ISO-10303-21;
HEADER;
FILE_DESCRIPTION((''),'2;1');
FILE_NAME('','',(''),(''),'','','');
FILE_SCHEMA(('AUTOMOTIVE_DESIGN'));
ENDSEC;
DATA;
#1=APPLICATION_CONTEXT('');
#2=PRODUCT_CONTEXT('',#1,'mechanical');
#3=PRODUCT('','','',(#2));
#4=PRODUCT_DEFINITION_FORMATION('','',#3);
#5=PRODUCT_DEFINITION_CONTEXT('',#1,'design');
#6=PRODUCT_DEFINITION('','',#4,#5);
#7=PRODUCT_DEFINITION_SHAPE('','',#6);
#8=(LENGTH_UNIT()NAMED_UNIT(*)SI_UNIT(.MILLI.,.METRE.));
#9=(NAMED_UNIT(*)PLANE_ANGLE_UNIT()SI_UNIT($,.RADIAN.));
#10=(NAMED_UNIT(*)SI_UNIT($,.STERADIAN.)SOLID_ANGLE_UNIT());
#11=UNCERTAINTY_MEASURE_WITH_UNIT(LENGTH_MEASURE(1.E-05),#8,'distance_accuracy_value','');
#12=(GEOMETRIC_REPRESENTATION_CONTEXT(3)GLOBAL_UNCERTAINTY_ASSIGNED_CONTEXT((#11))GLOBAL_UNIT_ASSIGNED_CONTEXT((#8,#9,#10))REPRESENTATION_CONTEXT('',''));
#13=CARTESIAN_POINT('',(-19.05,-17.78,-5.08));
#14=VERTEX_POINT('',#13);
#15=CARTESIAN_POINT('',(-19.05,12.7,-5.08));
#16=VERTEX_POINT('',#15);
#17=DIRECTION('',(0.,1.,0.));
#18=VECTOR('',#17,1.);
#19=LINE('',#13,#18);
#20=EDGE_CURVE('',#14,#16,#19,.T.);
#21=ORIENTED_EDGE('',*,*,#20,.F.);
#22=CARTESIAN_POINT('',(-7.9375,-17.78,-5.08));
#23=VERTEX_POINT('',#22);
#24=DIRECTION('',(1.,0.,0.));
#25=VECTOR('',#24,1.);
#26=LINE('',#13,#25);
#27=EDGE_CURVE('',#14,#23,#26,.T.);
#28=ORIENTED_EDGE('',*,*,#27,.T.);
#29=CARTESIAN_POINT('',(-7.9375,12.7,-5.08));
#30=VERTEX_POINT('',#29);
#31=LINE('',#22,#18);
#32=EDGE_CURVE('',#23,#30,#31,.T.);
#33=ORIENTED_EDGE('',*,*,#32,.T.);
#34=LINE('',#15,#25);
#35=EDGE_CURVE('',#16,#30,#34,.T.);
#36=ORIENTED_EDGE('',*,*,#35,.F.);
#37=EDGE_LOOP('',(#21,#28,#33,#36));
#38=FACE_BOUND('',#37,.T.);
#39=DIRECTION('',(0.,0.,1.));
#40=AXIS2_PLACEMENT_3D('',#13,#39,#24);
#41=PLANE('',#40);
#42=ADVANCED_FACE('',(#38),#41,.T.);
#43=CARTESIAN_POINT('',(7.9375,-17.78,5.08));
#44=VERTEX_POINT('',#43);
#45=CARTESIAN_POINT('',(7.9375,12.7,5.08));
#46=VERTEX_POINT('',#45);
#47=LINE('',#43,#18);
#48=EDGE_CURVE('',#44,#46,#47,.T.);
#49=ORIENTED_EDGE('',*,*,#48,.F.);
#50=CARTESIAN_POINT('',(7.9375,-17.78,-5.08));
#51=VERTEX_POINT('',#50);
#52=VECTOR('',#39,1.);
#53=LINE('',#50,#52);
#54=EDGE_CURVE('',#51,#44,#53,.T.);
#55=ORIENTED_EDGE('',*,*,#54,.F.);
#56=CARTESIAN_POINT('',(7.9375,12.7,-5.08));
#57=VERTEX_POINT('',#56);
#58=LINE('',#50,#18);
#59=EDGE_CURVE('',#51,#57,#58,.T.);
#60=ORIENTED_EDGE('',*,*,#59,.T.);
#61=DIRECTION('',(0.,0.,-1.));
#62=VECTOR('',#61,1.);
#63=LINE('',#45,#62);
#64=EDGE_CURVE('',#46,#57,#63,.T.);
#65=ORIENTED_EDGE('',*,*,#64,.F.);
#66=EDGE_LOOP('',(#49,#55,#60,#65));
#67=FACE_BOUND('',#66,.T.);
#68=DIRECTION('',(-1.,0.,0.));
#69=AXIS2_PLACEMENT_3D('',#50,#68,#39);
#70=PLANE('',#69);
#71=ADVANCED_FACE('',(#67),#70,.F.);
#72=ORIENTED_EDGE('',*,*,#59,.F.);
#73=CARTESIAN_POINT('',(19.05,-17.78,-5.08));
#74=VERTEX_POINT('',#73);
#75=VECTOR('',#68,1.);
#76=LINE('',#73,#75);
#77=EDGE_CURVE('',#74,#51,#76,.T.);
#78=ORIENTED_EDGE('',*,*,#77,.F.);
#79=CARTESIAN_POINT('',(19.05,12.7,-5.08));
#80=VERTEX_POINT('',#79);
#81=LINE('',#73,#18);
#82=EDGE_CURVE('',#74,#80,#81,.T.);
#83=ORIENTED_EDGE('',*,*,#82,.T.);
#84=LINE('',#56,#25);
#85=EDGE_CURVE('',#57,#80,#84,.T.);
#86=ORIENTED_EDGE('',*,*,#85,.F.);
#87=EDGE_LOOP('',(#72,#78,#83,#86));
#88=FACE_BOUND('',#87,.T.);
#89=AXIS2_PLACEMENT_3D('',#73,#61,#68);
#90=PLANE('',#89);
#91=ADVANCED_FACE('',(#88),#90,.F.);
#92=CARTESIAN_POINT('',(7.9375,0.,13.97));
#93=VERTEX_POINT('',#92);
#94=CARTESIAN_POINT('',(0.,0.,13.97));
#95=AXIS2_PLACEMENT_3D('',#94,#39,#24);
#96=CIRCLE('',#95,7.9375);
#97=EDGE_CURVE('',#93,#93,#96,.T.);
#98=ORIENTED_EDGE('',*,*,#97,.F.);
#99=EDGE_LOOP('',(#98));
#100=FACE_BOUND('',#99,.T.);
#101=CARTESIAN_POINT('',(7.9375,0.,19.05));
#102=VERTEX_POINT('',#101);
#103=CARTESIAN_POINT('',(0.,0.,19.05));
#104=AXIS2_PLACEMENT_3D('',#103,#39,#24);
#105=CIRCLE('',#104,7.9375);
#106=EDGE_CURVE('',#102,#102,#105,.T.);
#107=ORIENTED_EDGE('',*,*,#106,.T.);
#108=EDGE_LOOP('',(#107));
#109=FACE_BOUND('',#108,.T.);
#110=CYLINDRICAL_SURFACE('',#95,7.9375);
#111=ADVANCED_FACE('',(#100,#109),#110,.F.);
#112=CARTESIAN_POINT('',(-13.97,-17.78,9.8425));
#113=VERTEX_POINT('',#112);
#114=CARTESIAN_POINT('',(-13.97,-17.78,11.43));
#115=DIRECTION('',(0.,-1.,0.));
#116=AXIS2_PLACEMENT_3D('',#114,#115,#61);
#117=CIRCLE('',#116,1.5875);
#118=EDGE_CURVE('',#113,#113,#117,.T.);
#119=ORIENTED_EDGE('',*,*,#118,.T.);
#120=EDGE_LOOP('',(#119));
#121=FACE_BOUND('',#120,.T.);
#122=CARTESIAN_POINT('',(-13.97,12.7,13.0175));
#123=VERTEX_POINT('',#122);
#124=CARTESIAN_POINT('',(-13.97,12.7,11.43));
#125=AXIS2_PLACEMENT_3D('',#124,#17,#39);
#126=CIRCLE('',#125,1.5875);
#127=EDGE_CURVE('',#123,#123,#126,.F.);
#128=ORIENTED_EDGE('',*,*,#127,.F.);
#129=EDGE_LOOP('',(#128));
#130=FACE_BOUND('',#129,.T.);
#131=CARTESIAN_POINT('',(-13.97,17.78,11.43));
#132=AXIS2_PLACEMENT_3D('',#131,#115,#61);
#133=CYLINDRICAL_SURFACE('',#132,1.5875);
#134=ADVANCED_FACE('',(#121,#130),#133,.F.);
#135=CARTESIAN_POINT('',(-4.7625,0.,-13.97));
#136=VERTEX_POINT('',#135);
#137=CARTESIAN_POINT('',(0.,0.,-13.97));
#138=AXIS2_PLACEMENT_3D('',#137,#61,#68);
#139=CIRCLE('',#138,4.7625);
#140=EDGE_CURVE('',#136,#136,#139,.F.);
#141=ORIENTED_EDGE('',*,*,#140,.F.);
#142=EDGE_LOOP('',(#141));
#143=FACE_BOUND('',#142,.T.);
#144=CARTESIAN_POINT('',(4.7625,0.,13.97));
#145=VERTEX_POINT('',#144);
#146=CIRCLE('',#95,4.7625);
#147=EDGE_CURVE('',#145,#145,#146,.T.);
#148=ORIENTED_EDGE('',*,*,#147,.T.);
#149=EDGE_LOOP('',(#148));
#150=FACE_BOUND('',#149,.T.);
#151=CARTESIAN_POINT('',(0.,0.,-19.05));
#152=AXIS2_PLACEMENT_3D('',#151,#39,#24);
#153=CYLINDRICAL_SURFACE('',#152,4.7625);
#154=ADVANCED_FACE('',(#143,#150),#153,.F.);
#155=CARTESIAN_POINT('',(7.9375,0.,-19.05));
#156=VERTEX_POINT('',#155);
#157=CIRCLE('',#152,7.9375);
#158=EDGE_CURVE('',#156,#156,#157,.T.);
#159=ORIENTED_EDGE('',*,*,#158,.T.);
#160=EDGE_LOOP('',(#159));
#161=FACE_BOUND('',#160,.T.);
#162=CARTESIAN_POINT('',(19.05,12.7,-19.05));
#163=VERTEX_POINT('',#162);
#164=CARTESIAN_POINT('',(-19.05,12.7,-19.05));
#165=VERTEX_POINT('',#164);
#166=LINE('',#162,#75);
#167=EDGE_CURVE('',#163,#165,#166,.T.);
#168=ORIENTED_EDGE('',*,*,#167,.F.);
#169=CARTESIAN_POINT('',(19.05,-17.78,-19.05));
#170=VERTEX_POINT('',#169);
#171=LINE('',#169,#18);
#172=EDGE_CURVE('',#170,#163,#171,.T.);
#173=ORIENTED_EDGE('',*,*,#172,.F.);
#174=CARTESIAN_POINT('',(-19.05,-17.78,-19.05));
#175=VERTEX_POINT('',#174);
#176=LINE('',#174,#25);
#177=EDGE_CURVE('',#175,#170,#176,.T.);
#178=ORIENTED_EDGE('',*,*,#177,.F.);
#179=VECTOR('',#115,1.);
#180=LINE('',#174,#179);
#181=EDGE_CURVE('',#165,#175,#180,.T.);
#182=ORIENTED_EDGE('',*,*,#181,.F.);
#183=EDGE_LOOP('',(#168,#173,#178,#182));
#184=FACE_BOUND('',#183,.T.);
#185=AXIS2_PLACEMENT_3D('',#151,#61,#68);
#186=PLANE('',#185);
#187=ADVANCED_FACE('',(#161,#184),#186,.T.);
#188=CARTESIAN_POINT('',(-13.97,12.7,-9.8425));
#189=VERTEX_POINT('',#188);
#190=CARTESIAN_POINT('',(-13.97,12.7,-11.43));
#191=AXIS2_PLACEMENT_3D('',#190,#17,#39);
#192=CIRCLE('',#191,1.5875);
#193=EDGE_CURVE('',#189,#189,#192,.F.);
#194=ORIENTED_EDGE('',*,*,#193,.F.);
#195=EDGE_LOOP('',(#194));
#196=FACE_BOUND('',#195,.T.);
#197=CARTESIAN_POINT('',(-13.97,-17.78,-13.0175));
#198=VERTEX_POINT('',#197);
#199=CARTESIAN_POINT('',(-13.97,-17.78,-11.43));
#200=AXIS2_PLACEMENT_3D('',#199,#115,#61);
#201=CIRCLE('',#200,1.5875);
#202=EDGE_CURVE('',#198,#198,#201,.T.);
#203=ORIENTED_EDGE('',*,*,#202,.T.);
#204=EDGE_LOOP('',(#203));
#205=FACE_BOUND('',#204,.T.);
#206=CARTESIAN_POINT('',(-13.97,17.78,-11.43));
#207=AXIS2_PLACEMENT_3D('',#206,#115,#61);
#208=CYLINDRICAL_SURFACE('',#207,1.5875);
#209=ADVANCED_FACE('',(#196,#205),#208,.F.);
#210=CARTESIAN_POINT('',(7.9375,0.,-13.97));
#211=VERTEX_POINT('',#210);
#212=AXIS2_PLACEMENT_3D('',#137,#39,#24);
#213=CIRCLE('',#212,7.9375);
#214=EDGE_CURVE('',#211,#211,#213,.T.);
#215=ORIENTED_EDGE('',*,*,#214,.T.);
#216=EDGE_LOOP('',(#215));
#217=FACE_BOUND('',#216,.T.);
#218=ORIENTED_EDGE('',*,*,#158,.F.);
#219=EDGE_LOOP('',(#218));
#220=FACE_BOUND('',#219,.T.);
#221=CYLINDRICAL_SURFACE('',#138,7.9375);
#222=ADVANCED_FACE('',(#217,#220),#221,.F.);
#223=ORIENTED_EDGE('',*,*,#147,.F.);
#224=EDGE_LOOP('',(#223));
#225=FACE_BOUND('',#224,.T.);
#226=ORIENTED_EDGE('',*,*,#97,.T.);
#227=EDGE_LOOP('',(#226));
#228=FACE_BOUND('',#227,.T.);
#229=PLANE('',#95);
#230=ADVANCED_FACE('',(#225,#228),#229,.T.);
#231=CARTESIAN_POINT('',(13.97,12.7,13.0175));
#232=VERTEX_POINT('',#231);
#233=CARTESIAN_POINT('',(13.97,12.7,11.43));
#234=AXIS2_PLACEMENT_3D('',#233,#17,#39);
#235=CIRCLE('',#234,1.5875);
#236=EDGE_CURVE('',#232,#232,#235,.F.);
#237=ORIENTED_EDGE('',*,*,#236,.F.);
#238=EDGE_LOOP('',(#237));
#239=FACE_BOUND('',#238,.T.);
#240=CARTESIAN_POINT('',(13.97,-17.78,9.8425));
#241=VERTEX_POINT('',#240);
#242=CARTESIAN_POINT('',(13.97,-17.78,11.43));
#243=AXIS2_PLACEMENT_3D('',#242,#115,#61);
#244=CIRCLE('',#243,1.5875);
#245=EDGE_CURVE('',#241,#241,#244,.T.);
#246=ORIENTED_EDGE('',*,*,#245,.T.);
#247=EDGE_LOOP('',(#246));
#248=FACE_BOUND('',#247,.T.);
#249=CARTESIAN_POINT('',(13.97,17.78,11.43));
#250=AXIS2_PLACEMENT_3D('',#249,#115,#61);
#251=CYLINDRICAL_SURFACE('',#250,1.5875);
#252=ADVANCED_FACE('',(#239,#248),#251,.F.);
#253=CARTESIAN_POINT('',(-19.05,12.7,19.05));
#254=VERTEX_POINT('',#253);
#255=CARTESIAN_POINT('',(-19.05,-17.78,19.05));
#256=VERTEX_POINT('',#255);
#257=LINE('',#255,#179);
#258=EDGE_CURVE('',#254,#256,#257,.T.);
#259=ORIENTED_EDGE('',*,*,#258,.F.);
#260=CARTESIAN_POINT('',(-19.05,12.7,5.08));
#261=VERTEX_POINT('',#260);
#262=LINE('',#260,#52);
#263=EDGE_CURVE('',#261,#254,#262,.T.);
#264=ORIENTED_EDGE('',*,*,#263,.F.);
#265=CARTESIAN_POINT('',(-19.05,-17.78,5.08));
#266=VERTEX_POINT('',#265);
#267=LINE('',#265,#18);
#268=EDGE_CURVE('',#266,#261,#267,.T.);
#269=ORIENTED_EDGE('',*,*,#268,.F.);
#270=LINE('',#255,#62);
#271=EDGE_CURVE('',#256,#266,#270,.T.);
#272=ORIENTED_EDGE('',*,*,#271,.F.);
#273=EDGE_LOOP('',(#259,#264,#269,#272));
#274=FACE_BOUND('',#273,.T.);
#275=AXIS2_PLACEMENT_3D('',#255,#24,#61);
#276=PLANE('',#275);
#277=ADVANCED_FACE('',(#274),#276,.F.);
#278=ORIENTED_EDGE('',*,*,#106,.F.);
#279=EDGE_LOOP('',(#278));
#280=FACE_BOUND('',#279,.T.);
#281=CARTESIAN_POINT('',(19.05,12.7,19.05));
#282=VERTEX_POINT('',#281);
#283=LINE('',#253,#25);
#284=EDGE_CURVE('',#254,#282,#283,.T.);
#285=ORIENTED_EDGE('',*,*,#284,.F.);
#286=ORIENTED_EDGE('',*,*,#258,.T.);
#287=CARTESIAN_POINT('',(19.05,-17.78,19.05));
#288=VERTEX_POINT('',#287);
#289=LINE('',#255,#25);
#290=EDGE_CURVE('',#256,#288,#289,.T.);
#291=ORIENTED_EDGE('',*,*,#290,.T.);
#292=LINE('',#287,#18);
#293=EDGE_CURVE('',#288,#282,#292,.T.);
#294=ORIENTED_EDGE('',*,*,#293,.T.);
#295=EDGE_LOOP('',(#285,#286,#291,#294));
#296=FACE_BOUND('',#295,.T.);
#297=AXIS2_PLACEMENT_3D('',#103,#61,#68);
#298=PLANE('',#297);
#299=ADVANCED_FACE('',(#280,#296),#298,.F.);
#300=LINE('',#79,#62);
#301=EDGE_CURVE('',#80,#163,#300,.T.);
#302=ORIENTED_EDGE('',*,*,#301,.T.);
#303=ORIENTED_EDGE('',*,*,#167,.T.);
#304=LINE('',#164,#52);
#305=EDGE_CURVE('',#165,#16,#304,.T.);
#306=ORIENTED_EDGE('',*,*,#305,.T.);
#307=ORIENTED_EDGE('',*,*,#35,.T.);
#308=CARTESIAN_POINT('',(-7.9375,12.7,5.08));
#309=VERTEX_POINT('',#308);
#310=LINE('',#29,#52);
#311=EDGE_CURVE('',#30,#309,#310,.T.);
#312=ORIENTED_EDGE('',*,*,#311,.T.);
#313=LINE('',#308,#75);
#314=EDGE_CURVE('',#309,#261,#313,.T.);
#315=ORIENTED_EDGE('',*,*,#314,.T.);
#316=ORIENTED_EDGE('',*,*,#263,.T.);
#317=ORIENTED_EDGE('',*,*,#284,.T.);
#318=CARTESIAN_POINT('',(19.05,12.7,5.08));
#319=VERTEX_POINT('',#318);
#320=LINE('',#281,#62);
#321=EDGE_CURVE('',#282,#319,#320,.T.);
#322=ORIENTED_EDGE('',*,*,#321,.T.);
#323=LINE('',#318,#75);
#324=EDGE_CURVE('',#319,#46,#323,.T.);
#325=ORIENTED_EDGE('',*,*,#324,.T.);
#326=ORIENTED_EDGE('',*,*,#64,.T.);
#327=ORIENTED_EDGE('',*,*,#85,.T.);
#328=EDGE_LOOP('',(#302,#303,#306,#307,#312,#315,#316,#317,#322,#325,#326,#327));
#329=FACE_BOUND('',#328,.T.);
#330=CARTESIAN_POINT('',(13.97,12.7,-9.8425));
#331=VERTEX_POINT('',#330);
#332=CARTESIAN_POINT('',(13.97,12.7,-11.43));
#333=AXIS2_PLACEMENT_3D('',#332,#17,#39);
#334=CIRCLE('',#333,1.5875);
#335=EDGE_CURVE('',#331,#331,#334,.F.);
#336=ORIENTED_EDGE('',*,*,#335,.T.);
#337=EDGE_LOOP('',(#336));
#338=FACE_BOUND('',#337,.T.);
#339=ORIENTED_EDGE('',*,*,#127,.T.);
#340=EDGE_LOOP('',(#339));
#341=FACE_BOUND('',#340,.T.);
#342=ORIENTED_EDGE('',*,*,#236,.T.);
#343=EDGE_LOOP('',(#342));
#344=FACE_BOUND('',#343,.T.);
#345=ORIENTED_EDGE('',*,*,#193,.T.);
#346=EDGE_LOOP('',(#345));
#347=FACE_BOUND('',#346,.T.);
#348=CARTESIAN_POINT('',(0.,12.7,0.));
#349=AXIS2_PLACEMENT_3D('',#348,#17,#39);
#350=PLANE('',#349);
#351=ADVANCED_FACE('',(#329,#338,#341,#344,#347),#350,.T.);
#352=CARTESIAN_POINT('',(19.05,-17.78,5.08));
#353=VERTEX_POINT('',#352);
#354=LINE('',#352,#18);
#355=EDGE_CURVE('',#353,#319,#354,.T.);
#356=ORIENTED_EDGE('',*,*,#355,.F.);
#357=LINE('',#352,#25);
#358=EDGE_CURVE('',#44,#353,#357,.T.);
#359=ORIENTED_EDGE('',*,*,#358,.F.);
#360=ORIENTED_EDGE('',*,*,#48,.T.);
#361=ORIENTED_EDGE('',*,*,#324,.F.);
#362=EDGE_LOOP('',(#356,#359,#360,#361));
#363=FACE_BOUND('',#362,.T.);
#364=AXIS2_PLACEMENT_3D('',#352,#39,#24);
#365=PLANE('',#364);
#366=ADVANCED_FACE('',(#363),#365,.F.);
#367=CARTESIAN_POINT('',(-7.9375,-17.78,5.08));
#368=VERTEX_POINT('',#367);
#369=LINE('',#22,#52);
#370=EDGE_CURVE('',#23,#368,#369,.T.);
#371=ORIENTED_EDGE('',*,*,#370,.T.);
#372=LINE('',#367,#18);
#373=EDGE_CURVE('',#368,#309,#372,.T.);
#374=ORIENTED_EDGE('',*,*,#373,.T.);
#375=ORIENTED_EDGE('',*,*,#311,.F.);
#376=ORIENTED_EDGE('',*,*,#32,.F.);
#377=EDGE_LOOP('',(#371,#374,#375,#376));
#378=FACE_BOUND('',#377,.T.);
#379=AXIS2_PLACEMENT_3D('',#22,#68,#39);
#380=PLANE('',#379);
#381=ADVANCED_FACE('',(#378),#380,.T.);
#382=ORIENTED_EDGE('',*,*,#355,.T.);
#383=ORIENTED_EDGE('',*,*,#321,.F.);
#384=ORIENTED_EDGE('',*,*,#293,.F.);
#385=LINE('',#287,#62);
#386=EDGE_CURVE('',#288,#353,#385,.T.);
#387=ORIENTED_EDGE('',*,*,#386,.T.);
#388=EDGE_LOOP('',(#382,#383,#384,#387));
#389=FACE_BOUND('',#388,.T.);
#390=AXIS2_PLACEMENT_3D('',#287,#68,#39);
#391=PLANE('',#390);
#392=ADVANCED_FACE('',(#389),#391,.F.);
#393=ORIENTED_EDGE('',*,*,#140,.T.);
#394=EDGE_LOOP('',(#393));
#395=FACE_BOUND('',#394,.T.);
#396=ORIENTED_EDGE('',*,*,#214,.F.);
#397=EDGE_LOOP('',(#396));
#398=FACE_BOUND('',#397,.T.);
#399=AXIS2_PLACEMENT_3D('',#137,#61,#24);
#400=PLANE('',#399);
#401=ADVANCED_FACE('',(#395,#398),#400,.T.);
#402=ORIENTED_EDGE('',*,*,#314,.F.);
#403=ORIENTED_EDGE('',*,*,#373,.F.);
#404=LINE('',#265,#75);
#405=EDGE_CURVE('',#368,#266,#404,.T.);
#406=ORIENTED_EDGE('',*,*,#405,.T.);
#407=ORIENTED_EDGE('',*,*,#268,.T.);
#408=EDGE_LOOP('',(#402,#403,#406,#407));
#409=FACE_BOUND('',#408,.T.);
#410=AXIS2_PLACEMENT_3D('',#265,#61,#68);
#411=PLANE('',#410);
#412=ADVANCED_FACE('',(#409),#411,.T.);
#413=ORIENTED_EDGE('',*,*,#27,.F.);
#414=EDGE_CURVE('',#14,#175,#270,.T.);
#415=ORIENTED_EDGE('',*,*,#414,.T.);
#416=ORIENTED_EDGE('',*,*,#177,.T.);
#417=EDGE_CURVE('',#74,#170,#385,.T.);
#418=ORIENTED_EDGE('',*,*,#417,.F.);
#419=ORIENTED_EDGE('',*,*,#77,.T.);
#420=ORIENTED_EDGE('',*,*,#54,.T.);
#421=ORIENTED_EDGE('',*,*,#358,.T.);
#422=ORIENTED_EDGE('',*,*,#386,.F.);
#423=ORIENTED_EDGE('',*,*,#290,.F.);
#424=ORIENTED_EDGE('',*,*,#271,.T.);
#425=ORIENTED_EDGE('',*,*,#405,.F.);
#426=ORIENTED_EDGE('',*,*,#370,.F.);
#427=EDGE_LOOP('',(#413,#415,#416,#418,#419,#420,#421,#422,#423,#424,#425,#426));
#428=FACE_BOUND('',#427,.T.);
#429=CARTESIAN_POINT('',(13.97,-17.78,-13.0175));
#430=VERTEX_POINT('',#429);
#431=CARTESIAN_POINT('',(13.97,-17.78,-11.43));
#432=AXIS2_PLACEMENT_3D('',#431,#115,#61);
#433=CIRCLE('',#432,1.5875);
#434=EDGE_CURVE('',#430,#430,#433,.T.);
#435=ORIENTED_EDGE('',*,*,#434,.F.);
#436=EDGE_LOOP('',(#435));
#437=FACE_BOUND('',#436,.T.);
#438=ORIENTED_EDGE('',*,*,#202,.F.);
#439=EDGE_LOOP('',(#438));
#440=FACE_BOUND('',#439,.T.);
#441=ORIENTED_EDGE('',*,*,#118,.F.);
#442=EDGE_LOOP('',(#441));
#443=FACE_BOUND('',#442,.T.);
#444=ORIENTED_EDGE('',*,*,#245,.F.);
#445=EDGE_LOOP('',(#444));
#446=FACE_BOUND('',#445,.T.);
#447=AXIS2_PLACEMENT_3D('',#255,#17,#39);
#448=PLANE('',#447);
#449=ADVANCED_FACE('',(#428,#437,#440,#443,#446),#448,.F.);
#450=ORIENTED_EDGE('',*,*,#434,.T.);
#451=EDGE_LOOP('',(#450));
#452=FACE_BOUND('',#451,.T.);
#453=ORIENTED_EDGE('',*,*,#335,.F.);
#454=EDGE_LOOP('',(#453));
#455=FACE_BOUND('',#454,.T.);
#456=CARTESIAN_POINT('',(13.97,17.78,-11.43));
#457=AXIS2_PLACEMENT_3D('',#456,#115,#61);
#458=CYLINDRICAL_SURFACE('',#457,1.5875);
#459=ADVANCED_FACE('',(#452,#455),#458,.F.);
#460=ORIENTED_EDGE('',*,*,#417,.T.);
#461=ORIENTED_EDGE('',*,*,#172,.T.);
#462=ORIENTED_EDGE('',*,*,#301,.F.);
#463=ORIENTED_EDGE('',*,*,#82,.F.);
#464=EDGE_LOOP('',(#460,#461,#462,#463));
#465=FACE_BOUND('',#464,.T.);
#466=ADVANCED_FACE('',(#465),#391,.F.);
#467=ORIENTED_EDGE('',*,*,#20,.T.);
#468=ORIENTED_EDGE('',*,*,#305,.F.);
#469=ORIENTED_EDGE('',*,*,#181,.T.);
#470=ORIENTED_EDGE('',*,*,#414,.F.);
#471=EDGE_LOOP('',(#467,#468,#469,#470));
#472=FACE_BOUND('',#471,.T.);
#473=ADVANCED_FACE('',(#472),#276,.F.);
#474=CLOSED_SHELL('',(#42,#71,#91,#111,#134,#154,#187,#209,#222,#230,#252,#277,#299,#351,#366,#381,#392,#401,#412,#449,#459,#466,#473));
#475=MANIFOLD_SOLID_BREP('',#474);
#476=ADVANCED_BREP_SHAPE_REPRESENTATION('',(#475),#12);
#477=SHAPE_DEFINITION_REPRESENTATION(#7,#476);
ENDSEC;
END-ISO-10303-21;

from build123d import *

# Parameters (mm, degrees)
SKETCH1_W           = 38.1
SKETCH1_H           = 35.56
BOSS_EXTRUDE2_DEPTH = 19.05
SKETCH2_R           = 7.9375
CUT_EXTRUDE1_DEPTH  = 5.08
SKETCH3_R           = 4.7625
CUT_EXTRUDE2_DEPTH  = 43.063657711
SKETCH4_R           = 1.5875
CUT_EXTRUDE3_DEPTH  = 45.612986898
SKETCH5_W           = 11.1125
SKETCH5_H           = 10.16
CUT_EXTRUDE4_DEPTH  = 45.612986898
CUT_EXTRUDE5_DEPTH  = 5.08


with BuildPart() as part:
    # Sketch1 → Boss-Extrude2 (new, symmetric)
    with BuildSketch(Plane.XY):
        Rectangle(SKETCH1_W, SKETCH1_H)
    extrude(amount=BOSS_EXTRUDE2_DEPTH, both=True)

    # Sketch2 → Cut-Extrude1 (cut)
    with BuildSketch(Plane.XY.offset(19.05)):
        Circle(SKETCH2_R)
    cut_extrude1 = extrude(amount=-CUT_EXTRUDE1_DEPTH, mode=Mode.SUBTRACT)

    # Sketch3 → Cut-Extrude2 (cut, through all)
    with BuildSketch(Plane.XY.offset(13.97)):
        Circle(SKETCH3_R)
    extrude(amount=-CUT_EXTRUDE2_DEPTH, mode=Mode.SUBTRACT)

    # Mirror1: Cut-Extrude1 across plane
    add(cut_extrude1.mirror(Plane.XY), mode=Mode.SUBTRACT)

    # Sketch4 → Cut-Extrude3 (cut, through all)
    with BuildSketch(Plane.XZ.offset(17.78)):
        with Locations(Location((13.97, 11.43, 0), (0, 0, 270))):
            Circle(SKETCH4_R)
        with Locations(Location((13.97, -11.43, 0), (0, 0, 270))):
            Circle(SKETCH4_R)
        with Locations(Location((-13.97, -11.43, 0), (0, 0, 270))):
            Circle(SKETCH4_R)
        with Locations(Location((-13.97, 11.43, 0), (0, 0, 270))):
            Circle(SKETCH4_R)
    extrude(amount=-CUT_EXTRUDE3_DEPTH, mode=Mode.SUBTRACT)

    # Sketch5 → Cut-Extrude4 (cut, through all)
    with BuildSketch(Plane(origin=(0, 17.78, 0), x_dir=(1, 0, 0), z_dir=(0, 1, 0))):
        with Locations((13.49375, 0)):
            Rectangle(SKETCH5_W, SKETCH5_H)
    cut_extrude4 = extrude(amount=-CUT_EXTRUDE4_DEPTH, mode=Mode.SUBTRACT)

    # Mirror2: Cut-Extrude4 across plane
    add(cut_extrude4.mirror(Plane(origin=(0, 0, 0), x_dir=(0, 0, 1), z_dir=(1, 0, 0))), mode=Mode.SUBTRACT)

    # Sketch6 → Cut-Extrude5 (cut)
    with BuildSketch(Plane(origin=(0, 17.78, 0), x_dir=(1, 0, 0), z_dir=(0, 1, 0))):
        Polygon((-19.05, 5.08), (-7.9375, 5.08), (-7.9375, -5.08), (-19.05, -5.08), (-19.05, -19.05), (19.05, -19.05), (19.05, -5.08), (7.9375, -5.08), (7.9375, 5.08), (19.05, 5.08), (19.05, 19.05), (-19.05, 19.05), align=None)
    extrude(amount=-CUT_EXTRUDE5_DEPTH, mode=Mode.SUBTRACT)


solid = part.part
